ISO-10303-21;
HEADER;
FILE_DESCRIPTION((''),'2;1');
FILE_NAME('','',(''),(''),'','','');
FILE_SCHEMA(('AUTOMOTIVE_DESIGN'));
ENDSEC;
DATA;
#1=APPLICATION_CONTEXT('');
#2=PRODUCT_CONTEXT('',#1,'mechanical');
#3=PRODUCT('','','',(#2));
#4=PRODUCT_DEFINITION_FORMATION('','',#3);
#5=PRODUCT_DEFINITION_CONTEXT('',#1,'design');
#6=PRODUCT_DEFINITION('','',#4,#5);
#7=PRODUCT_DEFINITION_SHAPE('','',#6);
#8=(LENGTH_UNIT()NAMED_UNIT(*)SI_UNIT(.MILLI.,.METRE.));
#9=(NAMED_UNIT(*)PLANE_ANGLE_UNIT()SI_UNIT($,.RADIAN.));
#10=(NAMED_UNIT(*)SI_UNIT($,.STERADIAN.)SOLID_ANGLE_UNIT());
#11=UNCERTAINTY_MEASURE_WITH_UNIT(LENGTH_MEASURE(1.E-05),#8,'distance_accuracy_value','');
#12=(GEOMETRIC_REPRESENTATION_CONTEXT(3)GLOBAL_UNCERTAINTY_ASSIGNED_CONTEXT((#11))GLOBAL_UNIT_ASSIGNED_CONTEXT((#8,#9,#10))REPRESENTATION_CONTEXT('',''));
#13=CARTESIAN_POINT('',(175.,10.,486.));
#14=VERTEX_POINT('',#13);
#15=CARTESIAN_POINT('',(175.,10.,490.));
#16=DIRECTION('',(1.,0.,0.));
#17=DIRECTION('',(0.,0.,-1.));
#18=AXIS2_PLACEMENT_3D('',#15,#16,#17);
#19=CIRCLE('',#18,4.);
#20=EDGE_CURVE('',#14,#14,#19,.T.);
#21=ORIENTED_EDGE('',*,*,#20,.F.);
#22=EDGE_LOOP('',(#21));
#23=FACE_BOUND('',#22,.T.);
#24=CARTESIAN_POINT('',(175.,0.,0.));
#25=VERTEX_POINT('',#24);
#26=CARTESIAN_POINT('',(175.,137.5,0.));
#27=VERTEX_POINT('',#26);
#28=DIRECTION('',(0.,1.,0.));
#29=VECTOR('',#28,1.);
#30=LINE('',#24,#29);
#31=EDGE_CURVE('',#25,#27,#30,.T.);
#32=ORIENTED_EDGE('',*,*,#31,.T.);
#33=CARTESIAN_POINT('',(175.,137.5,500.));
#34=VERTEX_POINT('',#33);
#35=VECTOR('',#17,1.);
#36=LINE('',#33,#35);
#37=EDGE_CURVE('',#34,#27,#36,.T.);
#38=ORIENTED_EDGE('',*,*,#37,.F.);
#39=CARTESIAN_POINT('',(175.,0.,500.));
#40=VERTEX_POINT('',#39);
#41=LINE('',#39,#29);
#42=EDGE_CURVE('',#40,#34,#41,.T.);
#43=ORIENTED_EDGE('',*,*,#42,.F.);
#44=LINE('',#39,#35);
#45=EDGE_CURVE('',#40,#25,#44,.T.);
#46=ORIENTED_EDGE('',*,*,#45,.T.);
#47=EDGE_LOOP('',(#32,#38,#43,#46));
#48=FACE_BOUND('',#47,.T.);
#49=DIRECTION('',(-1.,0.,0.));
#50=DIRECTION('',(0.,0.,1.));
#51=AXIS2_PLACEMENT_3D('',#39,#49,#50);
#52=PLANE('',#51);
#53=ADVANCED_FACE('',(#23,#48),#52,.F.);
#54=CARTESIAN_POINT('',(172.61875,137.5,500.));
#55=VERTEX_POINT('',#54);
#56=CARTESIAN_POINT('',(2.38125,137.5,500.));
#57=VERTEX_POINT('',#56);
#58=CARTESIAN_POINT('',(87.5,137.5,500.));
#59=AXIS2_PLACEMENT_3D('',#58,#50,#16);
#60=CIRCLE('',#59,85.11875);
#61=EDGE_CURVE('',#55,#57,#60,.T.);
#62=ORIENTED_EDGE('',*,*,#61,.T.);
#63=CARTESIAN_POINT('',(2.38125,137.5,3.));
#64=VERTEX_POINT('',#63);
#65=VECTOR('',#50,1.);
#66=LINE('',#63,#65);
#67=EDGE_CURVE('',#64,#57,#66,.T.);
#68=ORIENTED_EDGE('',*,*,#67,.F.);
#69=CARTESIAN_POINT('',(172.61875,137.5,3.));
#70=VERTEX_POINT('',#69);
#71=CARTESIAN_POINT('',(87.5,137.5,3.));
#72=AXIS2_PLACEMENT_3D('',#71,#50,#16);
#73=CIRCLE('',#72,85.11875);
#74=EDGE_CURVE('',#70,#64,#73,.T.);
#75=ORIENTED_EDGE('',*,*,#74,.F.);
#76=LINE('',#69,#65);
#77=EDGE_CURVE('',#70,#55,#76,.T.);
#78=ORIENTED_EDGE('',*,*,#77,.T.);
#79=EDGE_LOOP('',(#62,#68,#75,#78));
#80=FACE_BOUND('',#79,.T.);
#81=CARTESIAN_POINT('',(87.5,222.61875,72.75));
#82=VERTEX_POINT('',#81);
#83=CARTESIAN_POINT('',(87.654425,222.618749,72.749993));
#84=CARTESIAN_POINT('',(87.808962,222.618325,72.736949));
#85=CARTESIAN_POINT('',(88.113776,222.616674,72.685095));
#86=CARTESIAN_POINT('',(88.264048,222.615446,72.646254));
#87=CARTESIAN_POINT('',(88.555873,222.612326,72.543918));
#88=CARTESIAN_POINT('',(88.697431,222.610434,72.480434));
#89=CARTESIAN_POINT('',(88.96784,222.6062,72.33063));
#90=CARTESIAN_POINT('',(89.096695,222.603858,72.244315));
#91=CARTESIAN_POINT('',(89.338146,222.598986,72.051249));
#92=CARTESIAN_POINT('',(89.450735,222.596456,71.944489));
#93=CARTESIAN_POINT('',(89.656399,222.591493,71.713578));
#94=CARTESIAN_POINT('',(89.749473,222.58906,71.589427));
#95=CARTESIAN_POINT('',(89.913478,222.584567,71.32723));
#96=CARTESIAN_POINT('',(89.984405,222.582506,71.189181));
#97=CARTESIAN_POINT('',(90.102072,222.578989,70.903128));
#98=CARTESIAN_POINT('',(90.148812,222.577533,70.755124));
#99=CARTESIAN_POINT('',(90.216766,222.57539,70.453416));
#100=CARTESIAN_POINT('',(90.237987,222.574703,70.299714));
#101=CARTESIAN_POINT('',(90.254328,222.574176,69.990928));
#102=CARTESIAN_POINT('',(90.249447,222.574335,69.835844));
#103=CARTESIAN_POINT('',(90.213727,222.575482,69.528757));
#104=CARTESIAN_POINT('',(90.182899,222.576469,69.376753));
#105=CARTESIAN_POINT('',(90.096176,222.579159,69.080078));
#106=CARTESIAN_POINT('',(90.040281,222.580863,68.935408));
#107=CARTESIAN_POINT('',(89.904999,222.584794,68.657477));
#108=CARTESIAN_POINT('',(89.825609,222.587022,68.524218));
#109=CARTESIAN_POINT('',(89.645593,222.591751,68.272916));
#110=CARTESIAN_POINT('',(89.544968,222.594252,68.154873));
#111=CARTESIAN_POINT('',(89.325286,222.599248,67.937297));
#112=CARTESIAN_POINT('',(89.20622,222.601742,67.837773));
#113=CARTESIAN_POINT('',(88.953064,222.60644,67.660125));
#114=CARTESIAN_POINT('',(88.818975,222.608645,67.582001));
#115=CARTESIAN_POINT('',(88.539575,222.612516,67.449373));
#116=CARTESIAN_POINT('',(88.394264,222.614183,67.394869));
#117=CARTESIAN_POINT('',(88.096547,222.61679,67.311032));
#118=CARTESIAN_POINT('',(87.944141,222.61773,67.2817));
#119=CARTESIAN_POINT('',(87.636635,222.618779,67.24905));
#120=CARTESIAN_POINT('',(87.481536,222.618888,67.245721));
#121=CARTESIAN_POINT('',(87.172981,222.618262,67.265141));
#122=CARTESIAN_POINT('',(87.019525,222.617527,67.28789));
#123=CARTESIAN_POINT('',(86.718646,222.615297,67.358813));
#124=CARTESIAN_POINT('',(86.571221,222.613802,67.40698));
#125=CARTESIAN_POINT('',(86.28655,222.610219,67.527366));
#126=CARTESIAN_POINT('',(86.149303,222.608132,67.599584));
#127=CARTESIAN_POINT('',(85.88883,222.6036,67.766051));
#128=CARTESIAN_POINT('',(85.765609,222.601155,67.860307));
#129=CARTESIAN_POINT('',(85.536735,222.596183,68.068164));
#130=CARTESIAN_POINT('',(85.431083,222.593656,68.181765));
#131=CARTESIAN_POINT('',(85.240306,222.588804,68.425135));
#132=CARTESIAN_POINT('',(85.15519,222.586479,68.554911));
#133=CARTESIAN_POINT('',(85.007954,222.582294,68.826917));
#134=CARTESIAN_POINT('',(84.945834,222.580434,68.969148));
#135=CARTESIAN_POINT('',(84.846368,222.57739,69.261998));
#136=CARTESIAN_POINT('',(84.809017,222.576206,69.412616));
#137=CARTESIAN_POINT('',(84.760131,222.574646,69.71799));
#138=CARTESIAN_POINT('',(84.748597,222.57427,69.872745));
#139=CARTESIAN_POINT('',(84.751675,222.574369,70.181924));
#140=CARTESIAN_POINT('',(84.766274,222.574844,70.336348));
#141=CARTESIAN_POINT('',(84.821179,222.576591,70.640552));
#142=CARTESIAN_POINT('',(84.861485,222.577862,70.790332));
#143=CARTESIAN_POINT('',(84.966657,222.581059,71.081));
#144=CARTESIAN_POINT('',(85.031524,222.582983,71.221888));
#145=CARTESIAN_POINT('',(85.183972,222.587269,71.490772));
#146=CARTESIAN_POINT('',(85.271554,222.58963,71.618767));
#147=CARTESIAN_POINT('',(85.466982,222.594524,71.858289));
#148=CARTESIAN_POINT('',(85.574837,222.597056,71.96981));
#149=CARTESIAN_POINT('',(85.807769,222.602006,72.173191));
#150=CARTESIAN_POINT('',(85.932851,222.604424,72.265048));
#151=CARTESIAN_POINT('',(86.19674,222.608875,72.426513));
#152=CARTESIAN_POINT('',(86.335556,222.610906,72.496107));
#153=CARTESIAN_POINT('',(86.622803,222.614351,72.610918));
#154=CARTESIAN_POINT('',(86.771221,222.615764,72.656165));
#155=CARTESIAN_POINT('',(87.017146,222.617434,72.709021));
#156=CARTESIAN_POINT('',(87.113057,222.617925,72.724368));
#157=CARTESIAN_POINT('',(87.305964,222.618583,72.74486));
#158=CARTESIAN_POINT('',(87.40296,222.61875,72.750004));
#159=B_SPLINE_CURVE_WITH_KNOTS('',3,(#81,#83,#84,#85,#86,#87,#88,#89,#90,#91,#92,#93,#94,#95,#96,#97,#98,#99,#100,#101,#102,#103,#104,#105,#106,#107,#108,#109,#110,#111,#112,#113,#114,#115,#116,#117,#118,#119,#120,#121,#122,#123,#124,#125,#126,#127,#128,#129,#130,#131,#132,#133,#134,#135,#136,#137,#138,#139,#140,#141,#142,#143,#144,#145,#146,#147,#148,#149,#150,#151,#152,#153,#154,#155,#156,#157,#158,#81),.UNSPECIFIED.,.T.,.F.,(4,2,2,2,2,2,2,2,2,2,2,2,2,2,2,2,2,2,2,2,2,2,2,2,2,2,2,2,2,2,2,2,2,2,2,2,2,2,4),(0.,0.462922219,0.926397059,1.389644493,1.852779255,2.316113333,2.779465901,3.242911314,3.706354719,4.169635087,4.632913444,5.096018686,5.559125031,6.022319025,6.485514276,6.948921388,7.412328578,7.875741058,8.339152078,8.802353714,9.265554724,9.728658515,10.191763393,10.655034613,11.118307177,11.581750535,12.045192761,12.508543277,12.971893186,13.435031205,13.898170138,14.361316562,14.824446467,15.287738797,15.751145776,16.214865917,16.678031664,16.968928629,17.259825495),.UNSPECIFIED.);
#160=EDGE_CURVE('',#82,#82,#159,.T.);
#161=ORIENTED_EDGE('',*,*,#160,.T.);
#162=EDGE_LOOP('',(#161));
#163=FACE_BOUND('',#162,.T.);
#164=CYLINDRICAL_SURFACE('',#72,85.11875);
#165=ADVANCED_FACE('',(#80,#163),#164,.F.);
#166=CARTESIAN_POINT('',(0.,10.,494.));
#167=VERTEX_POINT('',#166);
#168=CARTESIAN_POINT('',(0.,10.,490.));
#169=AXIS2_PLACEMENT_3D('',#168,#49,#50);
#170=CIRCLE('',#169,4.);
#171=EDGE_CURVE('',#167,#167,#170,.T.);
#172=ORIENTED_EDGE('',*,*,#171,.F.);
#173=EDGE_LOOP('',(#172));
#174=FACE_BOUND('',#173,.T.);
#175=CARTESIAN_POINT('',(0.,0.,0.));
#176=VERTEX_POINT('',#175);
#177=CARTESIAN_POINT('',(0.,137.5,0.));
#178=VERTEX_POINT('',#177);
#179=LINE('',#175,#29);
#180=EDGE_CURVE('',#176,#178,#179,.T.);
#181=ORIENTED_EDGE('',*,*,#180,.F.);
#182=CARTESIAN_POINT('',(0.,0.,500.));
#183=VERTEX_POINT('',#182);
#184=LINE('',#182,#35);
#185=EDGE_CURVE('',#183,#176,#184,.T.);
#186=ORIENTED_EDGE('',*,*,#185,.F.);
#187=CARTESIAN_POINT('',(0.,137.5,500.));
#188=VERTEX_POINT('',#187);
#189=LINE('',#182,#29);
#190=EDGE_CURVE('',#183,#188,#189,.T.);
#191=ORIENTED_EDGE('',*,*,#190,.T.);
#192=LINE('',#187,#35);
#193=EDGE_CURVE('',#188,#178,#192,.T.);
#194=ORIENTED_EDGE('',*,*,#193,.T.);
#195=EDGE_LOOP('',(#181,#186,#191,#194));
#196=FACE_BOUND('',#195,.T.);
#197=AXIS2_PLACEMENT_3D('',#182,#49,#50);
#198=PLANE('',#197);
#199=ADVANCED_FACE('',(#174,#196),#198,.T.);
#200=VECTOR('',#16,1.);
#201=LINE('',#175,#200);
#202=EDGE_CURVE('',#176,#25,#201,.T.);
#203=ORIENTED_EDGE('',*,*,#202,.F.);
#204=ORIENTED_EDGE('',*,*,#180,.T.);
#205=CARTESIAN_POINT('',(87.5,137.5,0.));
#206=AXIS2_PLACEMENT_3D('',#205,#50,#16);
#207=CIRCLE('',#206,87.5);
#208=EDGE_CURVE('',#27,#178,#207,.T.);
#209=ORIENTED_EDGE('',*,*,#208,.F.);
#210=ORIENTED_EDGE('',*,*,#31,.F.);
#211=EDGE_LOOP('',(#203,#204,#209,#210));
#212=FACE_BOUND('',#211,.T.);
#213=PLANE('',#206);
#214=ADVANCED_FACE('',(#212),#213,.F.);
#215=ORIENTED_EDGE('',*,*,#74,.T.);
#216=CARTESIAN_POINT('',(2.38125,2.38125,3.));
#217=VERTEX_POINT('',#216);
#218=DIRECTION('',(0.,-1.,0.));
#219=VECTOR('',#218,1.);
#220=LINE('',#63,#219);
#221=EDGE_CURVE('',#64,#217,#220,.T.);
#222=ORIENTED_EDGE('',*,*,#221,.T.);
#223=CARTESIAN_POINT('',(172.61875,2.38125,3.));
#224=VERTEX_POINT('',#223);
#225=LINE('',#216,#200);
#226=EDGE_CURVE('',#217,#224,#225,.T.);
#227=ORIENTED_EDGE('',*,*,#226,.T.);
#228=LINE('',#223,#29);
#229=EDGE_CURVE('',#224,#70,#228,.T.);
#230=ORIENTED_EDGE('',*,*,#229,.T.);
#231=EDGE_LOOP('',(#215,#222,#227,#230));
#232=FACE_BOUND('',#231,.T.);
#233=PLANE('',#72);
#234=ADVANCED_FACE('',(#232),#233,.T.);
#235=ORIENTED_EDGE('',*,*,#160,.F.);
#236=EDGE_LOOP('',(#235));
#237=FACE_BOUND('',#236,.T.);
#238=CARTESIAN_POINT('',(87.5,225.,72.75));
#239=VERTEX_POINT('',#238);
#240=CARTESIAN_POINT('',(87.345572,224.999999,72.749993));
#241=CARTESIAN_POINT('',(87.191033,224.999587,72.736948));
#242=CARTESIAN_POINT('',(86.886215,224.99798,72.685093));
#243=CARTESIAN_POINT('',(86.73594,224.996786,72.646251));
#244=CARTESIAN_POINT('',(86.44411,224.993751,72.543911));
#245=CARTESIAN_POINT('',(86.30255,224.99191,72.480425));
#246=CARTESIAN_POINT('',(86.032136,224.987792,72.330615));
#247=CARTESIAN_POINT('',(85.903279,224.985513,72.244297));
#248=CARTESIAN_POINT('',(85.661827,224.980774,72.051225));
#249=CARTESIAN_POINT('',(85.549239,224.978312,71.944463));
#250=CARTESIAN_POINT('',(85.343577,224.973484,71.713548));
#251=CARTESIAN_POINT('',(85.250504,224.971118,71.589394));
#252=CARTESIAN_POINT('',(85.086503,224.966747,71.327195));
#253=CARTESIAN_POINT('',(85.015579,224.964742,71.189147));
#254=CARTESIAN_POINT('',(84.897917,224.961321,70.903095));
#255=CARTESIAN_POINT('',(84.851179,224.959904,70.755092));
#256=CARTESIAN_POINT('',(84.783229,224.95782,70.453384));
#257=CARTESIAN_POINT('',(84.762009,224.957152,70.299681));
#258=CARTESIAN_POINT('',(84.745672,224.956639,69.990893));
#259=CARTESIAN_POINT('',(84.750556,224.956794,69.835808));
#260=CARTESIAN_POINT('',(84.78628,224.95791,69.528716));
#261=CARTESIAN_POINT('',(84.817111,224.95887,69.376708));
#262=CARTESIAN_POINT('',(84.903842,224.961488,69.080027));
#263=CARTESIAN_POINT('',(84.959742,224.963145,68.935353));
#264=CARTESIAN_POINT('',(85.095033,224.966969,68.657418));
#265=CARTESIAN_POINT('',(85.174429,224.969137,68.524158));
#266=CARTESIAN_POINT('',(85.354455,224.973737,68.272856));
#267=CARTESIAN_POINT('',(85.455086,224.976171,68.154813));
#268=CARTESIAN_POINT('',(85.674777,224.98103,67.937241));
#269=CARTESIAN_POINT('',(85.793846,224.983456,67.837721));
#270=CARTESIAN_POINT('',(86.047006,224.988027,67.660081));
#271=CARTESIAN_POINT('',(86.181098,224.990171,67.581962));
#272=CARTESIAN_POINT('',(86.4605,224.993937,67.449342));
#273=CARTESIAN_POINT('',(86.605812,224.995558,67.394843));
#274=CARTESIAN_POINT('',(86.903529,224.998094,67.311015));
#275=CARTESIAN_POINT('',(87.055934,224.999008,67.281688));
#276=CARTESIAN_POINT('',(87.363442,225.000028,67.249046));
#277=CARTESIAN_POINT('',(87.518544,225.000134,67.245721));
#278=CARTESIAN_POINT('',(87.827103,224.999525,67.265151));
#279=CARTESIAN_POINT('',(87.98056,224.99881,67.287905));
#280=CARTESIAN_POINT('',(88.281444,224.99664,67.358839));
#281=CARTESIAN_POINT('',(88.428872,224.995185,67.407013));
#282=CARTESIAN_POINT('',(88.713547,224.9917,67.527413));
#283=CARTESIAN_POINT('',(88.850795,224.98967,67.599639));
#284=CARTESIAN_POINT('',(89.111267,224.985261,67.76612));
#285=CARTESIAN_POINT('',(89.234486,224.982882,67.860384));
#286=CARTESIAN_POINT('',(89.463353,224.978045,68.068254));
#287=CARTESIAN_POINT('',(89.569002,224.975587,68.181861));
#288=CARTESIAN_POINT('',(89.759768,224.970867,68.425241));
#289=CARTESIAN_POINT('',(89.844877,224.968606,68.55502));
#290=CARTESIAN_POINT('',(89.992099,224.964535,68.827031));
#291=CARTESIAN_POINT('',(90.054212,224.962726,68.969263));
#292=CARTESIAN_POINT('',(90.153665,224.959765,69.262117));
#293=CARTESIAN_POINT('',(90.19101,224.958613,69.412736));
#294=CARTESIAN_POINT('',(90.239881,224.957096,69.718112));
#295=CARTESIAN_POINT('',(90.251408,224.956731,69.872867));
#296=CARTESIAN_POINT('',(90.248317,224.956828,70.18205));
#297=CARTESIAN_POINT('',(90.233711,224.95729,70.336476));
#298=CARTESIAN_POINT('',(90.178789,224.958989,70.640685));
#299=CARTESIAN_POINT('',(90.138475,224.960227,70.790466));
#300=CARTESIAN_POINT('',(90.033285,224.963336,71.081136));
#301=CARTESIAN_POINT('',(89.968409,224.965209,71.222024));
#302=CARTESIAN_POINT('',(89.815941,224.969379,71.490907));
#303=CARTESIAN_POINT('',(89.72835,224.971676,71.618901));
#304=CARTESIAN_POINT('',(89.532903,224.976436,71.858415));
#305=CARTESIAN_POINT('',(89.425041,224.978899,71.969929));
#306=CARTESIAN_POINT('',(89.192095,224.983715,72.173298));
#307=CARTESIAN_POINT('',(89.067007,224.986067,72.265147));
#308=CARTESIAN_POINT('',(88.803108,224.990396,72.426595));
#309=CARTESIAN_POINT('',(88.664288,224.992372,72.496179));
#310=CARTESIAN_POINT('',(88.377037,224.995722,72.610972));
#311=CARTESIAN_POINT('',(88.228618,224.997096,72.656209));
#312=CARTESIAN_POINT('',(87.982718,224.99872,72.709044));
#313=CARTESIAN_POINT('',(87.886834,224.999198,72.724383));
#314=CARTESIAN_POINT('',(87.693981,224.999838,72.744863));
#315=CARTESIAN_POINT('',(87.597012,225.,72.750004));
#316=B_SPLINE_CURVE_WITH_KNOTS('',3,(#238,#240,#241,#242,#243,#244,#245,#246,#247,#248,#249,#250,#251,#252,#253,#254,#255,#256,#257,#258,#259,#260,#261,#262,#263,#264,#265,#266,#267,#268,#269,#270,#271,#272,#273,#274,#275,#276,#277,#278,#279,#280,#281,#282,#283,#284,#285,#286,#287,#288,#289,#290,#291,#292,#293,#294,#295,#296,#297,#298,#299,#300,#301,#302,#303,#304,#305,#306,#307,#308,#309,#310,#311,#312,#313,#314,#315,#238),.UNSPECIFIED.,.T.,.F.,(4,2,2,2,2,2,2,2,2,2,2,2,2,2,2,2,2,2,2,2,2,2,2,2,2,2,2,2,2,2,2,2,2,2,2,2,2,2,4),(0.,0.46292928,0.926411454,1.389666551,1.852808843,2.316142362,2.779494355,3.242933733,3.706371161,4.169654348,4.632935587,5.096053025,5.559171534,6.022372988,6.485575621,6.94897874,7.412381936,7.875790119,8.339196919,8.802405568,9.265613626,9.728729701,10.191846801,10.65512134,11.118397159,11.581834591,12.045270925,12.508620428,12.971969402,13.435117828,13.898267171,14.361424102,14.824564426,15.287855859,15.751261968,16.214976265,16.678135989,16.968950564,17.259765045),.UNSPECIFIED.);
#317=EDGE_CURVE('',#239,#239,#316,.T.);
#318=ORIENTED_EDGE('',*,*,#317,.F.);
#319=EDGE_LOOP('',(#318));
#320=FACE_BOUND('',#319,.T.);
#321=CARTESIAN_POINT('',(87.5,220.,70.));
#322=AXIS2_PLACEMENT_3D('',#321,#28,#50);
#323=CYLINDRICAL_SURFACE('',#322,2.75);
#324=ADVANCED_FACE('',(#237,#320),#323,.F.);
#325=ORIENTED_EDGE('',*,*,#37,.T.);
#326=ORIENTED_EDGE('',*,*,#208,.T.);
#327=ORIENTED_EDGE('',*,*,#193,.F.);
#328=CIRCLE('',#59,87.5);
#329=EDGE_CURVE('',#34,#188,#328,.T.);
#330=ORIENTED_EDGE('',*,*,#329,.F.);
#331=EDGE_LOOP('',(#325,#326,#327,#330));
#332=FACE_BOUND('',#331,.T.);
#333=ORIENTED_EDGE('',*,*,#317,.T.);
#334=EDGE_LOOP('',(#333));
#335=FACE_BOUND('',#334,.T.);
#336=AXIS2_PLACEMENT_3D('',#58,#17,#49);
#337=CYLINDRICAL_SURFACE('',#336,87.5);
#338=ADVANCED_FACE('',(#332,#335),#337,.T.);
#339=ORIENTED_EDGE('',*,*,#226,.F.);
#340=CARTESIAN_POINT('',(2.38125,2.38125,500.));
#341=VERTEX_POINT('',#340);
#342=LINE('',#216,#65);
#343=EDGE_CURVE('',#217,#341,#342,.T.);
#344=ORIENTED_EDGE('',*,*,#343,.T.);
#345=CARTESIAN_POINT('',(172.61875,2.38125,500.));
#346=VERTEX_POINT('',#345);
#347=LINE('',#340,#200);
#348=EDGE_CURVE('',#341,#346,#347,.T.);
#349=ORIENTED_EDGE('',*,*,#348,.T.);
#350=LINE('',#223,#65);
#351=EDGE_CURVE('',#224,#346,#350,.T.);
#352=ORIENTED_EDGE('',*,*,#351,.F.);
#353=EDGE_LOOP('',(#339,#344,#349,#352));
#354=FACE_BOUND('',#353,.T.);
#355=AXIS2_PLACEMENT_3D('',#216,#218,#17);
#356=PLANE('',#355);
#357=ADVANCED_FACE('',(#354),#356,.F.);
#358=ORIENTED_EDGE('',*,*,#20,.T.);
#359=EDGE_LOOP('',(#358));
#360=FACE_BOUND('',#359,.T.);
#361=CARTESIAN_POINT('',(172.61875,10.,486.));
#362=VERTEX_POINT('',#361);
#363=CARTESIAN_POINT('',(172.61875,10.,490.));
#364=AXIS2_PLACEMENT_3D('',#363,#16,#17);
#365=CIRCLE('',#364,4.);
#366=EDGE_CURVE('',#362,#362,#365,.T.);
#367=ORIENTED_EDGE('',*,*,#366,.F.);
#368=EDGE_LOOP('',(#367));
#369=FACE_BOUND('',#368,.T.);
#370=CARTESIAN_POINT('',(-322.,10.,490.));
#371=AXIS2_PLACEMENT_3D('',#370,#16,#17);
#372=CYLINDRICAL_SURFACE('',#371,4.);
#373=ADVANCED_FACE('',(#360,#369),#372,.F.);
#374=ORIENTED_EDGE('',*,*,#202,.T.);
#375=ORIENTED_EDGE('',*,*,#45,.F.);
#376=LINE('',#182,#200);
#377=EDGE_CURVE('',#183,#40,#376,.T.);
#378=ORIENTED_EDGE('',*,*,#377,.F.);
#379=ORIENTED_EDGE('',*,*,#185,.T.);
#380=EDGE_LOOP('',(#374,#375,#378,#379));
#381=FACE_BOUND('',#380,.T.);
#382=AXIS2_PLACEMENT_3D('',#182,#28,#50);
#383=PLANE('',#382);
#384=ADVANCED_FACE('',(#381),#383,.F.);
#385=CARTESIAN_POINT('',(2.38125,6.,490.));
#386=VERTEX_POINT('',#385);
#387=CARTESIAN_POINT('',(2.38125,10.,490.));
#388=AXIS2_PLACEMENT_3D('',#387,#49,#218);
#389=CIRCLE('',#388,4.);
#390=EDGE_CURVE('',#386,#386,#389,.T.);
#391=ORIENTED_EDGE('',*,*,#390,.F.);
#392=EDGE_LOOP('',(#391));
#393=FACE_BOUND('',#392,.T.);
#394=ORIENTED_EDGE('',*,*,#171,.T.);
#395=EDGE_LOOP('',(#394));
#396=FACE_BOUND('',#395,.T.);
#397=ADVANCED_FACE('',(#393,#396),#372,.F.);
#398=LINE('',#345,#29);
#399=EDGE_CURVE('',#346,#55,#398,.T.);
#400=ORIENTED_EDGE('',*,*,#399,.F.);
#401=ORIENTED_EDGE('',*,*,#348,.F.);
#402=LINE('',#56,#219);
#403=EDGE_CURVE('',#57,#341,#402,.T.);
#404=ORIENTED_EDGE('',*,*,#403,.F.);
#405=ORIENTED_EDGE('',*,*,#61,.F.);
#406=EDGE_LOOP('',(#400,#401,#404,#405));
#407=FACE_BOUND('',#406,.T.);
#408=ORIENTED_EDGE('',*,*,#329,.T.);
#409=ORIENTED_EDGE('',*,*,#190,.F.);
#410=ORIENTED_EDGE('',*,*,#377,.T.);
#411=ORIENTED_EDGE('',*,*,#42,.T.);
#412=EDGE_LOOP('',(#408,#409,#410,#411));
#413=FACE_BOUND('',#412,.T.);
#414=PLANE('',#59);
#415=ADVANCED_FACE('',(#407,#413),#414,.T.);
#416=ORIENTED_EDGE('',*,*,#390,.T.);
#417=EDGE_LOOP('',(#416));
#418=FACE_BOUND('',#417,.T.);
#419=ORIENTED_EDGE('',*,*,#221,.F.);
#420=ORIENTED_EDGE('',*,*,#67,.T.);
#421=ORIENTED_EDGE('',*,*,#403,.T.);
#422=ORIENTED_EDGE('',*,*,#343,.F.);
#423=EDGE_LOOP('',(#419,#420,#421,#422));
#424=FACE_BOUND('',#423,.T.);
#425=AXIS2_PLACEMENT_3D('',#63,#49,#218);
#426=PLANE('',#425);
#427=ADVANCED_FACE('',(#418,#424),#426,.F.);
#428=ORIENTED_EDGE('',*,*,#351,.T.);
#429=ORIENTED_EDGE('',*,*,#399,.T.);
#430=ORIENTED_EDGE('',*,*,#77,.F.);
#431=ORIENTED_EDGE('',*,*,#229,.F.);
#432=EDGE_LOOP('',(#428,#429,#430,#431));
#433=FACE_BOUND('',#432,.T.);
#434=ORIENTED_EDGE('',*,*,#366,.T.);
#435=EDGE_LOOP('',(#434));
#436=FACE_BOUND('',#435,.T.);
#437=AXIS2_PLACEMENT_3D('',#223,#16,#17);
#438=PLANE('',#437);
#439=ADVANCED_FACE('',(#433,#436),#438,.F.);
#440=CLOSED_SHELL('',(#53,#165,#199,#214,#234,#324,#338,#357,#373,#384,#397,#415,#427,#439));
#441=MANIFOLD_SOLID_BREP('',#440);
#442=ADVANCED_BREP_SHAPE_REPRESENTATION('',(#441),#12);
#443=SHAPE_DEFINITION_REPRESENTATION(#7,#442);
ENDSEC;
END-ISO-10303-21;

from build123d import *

# Parameters (mm, degrees)
BOSS_EXTRUDE1_DEPTH = 500
CUT_EXTRUDE1_DEPTH  = 497
SKETCH3_R           = 4
CUT_EXTRUDE2_DEPTH  = 497
SKETCH4_R           = 2.75
CUT_EXTRUDE3_DEPTH  = 5


with BuildPart() as part:
    # Sketch1 → Boss-Extrude1 (new body)
    with BuildSketch(Plane.XY):
        with BuildLine():
            Line((0, 0), (175, 0))
            Line((175, 0), (175, 137.5))
            ThreePointArc((175, 137.5), (87.5, 225), (0, 137.5))
            Line((0, 137.5), (0, 0))
        make_face()
    extrude(amount=BOSS_EXTRUDE1_DEPTH)

    # Sketch2 → Cut-Extrude1 (cut)
    with BuildSketch(Plane.XY.offset(500)):
        with BuildLine():
            Line((172.61875, 2.38125), (172.61875, 137.5))
            ThreePointArc((172.61875, 137.5), (87.5, 222.61875), (2.38125, 137.5))
            Line((2.38125, 137.5), (2.38125, 2.38125))
            Line((2.38125, 2.38125), (172.61875, 2.38125))
        make_face()
    extrude(amount=-CUT_EXTRUDE1_DEPTH, mode=Mode.SUBTRACT)

    # Sketch3 → Cut-Extrude2 (cut)
    with BuildSketch(Plane(origin=(175, 0, 0), x_dir=(0, 0, -1), z_dir=(1, 0, 0))):
        with Locations((-490, 10)):
            Circle(SKETCH3_R)
    extrude(amount=-CUT_EXTRUDE2_DEPTH, mode=Mode.SUBTRACT)

    # Sketch4 → Cut-Extrude3 (cut)
    with BuildSketch(Plane(origin=(0, 225, 0), x_dir=(1, 0, 0), z_dir=(0, 1, 0))):
        with Locations((87.5, -70)):
            Circle(SKETCH4_R)
    extrude(amount=-CUT_EXTRUDE3_DEPTH, mode=Mode.SUBTRACT)


solid = part.part
